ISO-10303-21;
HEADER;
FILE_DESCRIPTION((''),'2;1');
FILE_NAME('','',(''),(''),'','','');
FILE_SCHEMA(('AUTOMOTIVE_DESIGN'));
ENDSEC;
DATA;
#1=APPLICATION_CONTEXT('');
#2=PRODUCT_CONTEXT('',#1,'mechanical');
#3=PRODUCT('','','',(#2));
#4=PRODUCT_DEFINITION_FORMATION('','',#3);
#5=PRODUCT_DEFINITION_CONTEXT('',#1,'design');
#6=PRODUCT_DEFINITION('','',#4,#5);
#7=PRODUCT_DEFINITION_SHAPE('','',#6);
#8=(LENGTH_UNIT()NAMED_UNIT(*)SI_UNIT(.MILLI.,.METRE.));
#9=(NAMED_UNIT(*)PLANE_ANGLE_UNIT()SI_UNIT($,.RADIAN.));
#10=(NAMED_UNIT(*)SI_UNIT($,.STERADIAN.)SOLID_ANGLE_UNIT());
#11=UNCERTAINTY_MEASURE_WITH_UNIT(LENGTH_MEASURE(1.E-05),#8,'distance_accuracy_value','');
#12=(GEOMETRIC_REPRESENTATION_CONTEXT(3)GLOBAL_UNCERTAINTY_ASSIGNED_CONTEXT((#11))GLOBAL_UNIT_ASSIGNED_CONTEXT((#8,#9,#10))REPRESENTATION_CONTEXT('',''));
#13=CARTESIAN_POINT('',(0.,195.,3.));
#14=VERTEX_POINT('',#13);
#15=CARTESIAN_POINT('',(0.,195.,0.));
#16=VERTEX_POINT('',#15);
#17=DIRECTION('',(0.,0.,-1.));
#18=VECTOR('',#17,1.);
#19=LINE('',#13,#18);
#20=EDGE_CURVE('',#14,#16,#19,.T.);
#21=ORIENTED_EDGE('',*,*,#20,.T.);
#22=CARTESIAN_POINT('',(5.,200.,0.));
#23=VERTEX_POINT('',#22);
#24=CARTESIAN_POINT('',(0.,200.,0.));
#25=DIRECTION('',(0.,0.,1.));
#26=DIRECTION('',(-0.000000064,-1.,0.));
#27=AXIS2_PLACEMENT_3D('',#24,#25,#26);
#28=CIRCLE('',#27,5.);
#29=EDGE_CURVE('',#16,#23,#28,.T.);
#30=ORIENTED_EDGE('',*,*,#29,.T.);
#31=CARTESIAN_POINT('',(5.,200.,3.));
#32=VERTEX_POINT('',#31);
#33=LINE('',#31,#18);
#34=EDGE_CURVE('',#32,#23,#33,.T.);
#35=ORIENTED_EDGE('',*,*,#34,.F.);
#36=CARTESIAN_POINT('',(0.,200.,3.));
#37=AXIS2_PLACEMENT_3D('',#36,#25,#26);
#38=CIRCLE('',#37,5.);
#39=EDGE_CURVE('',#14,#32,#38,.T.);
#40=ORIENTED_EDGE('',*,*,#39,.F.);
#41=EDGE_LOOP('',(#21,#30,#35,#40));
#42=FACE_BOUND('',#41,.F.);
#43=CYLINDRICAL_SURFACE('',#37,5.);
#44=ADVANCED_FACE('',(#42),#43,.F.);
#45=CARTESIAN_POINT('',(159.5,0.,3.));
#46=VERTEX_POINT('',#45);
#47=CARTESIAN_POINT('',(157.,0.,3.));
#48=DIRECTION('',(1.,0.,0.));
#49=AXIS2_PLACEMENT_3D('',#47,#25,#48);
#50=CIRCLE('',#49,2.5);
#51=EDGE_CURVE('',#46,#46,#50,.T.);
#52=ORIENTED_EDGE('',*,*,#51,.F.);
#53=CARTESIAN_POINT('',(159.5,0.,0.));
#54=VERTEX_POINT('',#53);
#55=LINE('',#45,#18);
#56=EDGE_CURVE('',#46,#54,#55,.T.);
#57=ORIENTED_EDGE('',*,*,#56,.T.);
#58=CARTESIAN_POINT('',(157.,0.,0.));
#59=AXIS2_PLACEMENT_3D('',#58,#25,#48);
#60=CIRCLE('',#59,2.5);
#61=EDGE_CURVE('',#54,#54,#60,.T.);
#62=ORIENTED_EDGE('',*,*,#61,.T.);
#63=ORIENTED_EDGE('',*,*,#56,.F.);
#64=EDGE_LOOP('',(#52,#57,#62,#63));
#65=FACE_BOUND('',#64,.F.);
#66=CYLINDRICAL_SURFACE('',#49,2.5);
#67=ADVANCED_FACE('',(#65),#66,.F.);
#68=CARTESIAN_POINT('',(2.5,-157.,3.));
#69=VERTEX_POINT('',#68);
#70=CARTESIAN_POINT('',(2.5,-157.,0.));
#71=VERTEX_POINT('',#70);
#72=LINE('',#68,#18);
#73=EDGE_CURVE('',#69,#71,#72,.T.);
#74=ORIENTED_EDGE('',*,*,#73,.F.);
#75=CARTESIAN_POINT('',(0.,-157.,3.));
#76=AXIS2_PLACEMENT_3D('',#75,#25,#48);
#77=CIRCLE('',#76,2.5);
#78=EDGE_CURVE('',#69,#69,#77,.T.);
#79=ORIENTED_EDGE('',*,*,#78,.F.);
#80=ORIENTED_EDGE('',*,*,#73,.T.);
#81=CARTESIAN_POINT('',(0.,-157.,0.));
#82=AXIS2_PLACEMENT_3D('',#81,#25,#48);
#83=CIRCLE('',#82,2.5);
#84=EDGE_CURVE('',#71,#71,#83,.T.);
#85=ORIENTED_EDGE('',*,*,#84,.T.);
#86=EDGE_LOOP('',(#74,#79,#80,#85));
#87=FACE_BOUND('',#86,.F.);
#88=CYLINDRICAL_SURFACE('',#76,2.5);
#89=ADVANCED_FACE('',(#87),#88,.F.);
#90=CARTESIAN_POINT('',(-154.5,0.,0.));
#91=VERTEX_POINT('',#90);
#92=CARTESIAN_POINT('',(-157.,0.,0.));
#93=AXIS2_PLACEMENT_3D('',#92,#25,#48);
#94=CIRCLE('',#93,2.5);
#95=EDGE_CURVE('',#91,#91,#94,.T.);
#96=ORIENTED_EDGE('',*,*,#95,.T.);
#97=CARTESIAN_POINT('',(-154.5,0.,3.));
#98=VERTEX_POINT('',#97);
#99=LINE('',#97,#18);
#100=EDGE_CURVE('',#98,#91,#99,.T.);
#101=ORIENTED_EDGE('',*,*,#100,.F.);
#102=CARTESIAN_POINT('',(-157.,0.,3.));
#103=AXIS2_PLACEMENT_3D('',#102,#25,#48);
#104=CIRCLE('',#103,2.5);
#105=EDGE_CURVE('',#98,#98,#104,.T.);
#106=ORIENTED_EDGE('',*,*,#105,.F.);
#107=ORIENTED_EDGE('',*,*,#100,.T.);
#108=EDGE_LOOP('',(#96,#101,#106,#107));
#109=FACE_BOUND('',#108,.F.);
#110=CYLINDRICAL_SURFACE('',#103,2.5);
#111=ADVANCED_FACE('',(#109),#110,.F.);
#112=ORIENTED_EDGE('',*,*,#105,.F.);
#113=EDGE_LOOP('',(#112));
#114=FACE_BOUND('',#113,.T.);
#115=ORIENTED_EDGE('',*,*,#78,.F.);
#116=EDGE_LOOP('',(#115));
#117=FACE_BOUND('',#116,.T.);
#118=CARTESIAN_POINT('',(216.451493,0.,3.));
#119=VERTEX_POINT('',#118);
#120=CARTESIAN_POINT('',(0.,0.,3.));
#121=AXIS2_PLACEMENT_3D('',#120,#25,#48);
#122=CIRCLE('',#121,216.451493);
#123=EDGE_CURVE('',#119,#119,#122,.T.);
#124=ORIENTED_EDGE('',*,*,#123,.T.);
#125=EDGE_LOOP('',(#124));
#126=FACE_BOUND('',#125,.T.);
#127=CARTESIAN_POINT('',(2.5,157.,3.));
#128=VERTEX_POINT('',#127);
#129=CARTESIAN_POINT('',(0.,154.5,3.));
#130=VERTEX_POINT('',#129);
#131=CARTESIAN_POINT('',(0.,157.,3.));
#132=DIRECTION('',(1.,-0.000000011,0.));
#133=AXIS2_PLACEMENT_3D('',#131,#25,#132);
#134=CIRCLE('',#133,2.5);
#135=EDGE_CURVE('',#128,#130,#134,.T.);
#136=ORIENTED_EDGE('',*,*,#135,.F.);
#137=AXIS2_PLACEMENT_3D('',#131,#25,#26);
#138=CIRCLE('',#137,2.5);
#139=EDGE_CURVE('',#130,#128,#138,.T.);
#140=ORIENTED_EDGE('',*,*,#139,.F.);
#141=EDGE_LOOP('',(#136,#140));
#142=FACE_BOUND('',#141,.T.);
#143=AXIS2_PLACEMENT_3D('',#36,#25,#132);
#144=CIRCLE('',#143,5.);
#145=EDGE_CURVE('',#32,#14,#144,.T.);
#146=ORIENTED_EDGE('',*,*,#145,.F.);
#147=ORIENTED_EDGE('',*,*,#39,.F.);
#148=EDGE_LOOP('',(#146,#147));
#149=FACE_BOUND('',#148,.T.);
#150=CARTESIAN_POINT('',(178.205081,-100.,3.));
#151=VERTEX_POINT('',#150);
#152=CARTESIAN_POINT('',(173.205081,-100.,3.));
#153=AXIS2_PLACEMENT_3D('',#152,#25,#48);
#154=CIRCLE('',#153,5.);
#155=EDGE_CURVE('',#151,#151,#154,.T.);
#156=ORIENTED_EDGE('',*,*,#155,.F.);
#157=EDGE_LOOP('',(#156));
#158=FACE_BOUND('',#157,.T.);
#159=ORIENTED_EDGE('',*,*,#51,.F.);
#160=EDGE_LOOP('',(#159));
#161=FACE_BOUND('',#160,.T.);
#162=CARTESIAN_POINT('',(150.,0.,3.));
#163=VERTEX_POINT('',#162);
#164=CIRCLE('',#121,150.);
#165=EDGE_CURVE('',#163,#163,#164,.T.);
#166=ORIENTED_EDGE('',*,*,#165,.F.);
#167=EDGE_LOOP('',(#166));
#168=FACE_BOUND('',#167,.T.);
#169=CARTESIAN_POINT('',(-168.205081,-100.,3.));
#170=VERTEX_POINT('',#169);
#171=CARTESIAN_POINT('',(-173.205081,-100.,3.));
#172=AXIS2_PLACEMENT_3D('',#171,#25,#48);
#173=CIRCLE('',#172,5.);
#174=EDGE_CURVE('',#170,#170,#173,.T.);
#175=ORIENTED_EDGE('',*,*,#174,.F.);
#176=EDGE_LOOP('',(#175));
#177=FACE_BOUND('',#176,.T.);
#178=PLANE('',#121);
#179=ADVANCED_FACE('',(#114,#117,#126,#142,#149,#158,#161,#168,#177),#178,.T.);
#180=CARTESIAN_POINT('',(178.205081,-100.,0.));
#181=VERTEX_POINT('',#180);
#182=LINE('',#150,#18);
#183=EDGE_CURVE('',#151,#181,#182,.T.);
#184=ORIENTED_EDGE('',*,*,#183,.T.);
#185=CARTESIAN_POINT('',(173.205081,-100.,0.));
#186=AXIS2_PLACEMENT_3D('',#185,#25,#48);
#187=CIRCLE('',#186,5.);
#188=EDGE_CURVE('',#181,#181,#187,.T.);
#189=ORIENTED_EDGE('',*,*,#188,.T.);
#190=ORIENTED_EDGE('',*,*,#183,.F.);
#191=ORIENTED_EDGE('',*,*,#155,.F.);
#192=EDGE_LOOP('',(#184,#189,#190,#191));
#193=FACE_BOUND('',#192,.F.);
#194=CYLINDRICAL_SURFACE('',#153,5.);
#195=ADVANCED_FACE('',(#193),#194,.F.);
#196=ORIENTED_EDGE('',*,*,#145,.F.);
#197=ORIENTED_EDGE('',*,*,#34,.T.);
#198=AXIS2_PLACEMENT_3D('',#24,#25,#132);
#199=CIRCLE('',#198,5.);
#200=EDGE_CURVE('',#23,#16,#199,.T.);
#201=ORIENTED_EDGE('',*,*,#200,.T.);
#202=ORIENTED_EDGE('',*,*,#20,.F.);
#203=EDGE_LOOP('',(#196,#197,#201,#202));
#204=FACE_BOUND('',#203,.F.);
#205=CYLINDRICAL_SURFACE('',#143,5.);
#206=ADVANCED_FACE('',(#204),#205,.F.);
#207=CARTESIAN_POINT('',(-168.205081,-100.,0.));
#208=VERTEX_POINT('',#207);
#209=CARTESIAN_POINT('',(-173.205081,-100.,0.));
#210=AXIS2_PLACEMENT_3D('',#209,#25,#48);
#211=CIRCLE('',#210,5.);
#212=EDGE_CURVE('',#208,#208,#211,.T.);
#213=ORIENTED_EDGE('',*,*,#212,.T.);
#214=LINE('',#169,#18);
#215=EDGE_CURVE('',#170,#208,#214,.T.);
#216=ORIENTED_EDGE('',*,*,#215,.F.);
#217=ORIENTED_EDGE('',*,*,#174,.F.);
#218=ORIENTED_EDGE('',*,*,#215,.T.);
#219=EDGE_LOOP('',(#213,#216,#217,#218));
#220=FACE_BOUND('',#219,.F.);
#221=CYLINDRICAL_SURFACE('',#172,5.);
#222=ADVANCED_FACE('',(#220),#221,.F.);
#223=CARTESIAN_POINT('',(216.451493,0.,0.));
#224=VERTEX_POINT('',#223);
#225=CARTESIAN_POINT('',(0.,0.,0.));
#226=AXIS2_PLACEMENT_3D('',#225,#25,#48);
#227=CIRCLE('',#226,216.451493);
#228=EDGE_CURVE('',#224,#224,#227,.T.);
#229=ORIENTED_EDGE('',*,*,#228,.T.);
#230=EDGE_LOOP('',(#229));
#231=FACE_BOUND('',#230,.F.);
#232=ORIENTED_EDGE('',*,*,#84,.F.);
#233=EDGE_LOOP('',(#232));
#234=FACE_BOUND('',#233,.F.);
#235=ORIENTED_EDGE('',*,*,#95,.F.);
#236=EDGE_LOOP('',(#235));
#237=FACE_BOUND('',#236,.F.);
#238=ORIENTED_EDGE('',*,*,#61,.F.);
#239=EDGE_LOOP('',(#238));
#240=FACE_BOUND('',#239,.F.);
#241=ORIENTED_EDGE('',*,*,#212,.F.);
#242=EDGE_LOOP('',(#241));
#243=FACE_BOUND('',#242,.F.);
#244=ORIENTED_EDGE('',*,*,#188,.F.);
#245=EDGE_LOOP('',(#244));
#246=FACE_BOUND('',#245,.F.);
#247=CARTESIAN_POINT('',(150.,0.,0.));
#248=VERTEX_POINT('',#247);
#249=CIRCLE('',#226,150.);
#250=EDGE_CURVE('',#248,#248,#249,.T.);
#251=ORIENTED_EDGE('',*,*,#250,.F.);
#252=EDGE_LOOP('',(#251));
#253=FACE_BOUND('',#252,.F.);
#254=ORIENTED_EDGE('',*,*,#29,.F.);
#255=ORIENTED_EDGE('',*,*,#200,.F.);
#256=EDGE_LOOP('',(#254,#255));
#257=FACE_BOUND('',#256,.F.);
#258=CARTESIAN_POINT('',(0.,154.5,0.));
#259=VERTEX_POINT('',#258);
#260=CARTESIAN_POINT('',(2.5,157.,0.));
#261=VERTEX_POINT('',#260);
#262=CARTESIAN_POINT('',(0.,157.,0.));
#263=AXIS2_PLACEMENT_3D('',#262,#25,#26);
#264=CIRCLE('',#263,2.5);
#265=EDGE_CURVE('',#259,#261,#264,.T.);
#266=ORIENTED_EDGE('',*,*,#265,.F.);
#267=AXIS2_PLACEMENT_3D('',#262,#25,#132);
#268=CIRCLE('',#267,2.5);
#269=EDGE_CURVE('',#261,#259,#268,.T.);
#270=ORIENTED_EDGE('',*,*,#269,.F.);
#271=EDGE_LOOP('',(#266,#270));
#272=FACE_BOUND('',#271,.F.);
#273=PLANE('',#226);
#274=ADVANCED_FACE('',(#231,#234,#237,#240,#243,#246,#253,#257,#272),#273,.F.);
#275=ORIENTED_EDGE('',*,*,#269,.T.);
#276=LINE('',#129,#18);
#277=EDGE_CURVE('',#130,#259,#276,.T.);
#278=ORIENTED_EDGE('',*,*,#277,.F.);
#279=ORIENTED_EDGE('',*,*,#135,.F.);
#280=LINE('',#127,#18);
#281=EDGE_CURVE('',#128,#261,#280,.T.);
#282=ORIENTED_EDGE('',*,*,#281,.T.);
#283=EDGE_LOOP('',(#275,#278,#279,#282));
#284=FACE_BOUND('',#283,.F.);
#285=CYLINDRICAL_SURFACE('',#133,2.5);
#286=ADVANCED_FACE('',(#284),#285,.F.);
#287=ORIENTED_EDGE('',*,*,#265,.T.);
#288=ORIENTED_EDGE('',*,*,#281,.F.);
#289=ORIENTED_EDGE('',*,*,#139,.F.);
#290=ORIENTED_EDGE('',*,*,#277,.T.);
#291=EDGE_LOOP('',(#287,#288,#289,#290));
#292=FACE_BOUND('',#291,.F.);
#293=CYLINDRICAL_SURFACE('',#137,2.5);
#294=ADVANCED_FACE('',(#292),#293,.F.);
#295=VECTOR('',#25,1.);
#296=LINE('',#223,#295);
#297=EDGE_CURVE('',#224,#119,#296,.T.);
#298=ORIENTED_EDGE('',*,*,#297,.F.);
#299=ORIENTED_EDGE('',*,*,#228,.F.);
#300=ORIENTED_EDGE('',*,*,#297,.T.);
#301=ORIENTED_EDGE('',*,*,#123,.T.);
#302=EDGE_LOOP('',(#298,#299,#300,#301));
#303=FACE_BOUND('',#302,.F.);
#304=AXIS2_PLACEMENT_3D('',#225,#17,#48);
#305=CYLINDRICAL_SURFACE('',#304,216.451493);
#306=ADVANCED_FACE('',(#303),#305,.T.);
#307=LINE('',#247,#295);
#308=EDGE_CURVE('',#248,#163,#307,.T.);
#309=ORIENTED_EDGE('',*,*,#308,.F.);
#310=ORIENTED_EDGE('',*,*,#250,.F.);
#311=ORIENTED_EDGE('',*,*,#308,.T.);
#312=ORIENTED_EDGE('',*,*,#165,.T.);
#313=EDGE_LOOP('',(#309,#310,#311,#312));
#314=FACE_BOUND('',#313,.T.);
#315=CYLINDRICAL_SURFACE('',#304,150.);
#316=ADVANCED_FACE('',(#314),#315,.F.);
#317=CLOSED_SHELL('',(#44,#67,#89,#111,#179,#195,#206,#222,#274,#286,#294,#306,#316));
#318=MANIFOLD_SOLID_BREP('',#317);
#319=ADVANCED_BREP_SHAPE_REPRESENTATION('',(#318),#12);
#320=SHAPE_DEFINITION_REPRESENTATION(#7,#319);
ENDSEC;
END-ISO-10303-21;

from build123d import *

# Parameters (mm, degrees)
F0_R     = 216.451493
F0_R_2   = 150
F1_DEPTH = 3
F2_R     = 5
F3_DEPTH = 3
F4_R     = 2.5
F5_DEPTH = 3


with BuildPart() as f1:
    # F0 (on Top) → F1 (new body)
    with BuildSketch(Plane.XY):
        Circle(F0_R)
        Circle(F0_R_2, mode=Mode.SUBTRACT)
    extrude(amount=F1_DEPTH)

    # F2 (on face) → F3 (cut)
    with BuildSketch(Plane.XY.offset(3)):
        with BuildLine():
            ThreePointArc((0, 195), (3.535534, 196.464466), (5, 200))
            ThreePointArc((5, 200), (-3.535534, 203.535534), (0, 195))
        make_face()
        with Locations((-173.205081, -100)):
            Circle(F2_R)
        with Locations((173.205081, -100)):
            Circle(F2_R)
    extrude(amount=-F3_DEPTH, mode=Mode.SUBTRACT)

    # F4 (on face) → F5 (cut)
    with BuildSketch(Plane.XY.offset(3)):
        with BuildLine():
            ThreePointArc((0, 154.5), (1.767767, 155.232233), (2.5, 157))
            ThreePointArc((2.5, 157), (-1.767767, 158.767767), (0, 154.5))
        make_face()
        with Locations((-157, 0)):
            Circle(F4_R)
        with Locations((0, -157)):
            Circle(F4_R)
        with Locations((157, 0)):
            Circle(F4_R)
    extrude(amount=-F5_DEPTH, mode=Mode.SUBTRACT)


solid = f1.part
